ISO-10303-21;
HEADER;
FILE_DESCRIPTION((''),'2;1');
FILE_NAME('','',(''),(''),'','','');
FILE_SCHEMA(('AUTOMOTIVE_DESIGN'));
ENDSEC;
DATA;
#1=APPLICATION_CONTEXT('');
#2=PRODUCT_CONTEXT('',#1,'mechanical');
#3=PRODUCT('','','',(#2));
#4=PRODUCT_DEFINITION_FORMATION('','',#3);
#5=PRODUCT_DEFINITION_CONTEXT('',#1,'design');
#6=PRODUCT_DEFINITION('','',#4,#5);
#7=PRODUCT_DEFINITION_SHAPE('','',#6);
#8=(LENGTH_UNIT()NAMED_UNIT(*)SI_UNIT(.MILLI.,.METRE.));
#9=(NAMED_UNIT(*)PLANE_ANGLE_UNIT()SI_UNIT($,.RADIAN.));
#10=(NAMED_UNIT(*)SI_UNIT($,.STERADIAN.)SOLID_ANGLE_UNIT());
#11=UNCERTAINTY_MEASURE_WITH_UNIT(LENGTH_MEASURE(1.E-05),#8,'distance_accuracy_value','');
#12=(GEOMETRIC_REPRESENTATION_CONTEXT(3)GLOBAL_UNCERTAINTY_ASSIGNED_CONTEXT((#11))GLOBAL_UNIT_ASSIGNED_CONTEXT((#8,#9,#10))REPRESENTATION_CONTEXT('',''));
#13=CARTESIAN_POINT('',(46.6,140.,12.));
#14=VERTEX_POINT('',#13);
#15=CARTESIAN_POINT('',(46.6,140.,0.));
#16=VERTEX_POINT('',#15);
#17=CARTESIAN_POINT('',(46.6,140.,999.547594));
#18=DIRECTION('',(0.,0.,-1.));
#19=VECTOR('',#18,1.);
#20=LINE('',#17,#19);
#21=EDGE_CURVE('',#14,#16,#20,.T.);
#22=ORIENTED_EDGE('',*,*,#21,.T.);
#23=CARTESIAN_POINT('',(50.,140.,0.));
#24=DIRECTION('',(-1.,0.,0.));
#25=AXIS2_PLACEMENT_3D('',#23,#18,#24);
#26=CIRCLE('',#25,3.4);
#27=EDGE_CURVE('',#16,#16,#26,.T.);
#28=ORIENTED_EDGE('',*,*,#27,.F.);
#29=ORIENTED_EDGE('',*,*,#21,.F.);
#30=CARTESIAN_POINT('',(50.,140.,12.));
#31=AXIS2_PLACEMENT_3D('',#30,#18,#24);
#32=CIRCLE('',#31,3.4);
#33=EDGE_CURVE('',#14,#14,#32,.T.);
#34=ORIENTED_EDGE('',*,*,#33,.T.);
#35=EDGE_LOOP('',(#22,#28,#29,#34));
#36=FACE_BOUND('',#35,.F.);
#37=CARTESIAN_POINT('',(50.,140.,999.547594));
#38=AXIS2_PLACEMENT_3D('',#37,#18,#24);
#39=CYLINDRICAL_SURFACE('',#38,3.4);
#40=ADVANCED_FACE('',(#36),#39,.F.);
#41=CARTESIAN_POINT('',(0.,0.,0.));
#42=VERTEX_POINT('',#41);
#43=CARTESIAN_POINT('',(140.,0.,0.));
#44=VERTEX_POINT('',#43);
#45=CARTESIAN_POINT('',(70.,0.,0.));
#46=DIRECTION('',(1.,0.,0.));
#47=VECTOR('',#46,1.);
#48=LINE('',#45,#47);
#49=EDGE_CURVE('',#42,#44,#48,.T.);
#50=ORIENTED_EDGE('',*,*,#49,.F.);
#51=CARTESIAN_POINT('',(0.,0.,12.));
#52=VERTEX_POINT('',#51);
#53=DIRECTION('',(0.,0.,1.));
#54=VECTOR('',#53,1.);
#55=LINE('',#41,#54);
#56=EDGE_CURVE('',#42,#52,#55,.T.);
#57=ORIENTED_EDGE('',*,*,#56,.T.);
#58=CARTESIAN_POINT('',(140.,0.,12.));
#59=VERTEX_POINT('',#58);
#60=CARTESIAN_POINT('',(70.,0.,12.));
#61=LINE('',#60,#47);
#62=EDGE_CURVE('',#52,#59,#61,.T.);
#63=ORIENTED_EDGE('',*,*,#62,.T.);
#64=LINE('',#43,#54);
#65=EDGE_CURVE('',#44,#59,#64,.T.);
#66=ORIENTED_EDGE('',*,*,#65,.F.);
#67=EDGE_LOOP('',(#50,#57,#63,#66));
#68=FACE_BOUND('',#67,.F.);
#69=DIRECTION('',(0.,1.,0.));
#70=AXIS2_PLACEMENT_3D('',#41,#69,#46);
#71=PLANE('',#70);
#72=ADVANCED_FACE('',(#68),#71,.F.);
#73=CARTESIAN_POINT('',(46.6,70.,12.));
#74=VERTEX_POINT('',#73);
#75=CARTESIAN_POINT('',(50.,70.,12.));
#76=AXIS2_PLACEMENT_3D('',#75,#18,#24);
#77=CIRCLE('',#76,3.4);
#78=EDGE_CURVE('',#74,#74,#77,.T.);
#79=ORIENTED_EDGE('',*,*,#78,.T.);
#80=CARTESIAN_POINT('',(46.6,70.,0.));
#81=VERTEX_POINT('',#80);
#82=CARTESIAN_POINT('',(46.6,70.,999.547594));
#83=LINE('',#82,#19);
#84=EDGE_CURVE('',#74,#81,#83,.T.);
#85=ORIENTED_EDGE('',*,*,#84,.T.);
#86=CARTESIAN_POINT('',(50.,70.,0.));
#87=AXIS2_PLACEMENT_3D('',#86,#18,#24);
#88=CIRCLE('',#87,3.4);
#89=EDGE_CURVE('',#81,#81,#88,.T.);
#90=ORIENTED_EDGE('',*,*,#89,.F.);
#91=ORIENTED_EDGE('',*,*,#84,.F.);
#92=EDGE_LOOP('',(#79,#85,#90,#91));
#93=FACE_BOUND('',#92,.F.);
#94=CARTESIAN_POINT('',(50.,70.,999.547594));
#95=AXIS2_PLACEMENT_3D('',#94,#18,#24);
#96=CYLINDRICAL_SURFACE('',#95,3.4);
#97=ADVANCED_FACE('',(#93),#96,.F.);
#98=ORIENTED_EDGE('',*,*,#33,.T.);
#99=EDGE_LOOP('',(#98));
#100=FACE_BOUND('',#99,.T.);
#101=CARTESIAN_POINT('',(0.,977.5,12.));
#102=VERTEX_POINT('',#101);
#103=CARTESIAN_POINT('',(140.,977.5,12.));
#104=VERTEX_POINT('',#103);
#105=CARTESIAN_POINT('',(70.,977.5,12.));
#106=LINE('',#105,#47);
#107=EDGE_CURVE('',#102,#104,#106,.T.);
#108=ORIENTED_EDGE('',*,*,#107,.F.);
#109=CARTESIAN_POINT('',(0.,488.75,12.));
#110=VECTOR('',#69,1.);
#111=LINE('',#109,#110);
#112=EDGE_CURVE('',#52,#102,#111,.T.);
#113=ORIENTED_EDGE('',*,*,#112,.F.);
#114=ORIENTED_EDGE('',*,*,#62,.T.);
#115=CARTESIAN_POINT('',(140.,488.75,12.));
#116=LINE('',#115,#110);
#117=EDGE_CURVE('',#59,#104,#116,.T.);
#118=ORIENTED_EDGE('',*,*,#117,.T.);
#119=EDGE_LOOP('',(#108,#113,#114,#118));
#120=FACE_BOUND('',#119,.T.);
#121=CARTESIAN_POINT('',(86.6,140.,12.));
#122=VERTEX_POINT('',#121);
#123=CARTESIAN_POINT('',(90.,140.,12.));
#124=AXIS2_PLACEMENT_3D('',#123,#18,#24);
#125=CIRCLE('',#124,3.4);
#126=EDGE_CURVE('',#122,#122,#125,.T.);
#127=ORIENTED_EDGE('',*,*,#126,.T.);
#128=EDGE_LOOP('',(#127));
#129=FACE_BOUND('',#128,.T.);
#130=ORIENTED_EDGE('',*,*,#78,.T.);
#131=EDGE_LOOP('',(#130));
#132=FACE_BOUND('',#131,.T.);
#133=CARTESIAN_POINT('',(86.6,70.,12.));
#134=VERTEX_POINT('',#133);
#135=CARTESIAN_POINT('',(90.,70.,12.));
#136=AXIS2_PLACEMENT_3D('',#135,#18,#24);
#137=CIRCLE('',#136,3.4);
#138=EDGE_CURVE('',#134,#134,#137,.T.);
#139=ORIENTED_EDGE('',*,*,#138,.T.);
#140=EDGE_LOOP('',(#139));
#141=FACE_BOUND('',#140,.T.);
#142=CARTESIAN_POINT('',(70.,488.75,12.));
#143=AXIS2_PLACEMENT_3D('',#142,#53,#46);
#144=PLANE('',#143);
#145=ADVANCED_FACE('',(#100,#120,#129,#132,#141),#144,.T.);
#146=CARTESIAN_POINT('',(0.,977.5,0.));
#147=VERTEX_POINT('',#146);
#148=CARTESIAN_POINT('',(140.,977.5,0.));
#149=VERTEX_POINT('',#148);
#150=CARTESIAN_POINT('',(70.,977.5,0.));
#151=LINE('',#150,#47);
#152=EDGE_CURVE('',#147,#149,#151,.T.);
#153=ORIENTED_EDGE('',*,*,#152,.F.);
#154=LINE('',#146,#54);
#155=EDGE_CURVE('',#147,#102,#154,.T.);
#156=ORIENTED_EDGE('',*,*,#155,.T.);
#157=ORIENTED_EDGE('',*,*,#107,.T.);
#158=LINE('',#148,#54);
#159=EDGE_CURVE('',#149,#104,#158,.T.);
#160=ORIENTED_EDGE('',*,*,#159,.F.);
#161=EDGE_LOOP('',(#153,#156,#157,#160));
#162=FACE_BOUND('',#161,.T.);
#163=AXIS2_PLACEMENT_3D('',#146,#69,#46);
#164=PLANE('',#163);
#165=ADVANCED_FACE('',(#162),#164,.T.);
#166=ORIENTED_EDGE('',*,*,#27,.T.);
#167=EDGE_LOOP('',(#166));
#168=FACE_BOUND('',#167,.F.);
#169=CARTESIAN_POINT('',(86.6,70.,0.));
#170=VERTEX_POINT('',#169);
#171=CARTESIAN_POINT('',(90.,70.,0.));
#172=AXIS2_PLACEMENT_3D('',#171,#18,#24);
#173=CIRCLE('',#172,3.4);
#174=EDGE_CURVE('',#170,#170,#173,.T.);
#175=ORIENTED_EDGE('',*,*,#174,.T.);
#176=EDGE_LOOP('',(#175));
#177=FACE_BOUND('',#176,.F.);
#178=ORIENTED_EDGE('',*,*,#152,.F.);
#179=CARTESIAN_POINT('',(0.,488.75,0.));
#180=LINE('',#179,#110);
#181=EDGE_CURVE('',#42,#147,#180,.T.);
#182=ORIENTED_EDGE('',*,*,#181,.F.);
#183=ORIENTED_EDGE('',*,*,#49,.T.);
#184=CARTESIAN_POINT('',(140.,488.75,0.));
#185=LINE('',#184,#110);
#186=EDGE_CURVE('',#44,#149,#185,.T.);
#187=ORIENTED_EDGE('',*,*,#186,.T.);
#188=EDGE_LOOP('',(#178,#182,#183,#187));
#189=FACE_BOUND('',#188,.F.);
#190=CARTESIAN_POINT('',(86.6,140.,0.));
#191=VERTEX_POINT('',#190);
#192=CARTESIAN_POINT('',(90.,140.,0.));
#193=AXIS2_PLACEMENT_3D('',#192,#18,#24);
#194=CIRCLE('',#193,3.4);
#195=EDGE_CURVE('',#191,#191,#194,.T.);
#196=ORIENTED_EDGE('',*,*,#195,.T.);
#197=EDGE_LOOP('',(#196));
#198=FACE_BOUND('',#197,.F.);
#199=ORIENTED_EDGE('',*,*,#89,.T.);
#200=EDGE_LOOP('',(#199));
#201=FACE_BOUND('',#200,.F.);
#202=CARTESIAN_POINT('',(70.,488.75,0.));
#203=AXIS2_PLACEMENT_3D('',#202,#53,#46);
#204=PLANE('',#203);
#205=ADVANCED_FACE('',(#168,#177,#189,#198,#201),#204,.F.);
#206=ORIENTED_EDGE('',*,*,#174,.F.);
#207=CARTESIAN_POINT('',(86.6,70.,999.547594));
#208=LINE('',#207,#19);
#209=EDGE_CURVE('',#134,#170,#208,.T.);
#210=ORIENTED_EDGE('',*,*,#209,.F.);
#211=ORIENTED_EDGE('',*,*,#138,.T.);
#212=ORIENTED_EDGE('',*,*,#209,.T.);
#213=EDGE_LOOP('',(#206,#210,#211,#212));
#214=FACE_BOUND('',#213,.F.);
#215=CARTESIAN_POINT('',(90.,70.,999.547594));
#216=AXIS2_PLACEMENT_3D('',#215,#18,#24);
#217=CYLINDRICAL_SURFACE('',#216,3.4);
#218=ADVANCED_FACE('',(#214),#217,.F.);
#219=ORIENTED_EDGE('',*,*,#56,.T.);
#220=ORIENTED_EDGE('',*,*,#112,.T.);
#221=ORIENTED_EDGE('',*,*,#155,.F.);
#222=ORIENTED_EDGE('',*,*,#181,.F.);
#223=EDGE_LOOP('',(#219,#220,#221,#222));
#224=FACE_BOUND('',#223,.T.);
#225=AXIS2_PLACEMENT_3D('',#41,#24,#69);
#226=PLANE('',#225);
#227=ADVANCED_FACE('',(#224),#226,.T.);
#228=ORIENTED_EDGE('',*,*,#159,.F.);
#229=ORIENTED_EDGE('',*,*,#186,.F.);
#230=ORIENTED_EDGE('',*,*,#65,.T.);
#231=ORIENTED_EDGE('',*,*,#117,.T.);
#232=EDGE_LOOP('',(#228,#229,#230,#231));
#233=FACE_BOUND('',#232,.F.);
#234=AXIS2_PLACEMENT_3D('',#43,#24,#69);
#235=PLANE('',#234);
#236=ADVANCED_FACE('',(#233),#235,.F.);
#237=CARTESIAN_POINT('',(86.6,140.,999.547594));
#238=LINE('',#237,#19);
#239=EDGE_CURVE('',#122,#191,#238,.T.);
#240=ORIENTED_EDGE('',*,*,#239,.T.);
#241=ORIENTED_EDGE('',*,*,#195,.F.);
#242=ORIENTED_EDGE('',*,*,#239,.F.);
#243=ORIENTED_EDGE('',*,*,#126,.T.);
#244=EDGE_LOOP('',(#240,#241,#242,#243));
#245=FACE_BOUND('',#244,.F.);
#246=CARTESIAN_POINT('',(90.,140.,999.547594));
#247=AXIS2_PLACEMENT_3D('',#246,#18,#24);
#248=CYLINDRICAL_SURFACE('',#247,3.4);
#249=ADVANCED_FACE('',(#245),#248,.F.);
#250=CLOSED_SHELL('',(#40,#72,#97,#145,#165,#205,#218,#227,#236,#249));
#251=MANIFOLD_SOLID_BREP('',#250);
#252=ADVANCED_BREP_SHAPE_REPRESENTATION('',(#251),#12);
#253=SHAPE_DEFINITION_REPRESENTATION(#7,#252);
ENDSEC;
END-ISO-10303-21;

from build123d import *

# Parameters (mm, degrees)
F0_W     = 140
F0_H     = 977.5
F1_DEPTH = 12
F3_D     = 6.8


with BuildPart() as f1:
    # F0 (on Top) → F1 (new body)
    with BuildSketch(Plane.XY):
        with Locations((70, 488.75)):
            Rectangle(F0_W, F0_H)
    extrude(amount=F1_DEPTH)

    # F3 (through all)
    with Locations(Plane.XY.offset(12)):
        with Locations((50, 140), (90, 140), (90, 70), (50, 70)):
            Hole(F3_D / 2)


solid = f1.part
